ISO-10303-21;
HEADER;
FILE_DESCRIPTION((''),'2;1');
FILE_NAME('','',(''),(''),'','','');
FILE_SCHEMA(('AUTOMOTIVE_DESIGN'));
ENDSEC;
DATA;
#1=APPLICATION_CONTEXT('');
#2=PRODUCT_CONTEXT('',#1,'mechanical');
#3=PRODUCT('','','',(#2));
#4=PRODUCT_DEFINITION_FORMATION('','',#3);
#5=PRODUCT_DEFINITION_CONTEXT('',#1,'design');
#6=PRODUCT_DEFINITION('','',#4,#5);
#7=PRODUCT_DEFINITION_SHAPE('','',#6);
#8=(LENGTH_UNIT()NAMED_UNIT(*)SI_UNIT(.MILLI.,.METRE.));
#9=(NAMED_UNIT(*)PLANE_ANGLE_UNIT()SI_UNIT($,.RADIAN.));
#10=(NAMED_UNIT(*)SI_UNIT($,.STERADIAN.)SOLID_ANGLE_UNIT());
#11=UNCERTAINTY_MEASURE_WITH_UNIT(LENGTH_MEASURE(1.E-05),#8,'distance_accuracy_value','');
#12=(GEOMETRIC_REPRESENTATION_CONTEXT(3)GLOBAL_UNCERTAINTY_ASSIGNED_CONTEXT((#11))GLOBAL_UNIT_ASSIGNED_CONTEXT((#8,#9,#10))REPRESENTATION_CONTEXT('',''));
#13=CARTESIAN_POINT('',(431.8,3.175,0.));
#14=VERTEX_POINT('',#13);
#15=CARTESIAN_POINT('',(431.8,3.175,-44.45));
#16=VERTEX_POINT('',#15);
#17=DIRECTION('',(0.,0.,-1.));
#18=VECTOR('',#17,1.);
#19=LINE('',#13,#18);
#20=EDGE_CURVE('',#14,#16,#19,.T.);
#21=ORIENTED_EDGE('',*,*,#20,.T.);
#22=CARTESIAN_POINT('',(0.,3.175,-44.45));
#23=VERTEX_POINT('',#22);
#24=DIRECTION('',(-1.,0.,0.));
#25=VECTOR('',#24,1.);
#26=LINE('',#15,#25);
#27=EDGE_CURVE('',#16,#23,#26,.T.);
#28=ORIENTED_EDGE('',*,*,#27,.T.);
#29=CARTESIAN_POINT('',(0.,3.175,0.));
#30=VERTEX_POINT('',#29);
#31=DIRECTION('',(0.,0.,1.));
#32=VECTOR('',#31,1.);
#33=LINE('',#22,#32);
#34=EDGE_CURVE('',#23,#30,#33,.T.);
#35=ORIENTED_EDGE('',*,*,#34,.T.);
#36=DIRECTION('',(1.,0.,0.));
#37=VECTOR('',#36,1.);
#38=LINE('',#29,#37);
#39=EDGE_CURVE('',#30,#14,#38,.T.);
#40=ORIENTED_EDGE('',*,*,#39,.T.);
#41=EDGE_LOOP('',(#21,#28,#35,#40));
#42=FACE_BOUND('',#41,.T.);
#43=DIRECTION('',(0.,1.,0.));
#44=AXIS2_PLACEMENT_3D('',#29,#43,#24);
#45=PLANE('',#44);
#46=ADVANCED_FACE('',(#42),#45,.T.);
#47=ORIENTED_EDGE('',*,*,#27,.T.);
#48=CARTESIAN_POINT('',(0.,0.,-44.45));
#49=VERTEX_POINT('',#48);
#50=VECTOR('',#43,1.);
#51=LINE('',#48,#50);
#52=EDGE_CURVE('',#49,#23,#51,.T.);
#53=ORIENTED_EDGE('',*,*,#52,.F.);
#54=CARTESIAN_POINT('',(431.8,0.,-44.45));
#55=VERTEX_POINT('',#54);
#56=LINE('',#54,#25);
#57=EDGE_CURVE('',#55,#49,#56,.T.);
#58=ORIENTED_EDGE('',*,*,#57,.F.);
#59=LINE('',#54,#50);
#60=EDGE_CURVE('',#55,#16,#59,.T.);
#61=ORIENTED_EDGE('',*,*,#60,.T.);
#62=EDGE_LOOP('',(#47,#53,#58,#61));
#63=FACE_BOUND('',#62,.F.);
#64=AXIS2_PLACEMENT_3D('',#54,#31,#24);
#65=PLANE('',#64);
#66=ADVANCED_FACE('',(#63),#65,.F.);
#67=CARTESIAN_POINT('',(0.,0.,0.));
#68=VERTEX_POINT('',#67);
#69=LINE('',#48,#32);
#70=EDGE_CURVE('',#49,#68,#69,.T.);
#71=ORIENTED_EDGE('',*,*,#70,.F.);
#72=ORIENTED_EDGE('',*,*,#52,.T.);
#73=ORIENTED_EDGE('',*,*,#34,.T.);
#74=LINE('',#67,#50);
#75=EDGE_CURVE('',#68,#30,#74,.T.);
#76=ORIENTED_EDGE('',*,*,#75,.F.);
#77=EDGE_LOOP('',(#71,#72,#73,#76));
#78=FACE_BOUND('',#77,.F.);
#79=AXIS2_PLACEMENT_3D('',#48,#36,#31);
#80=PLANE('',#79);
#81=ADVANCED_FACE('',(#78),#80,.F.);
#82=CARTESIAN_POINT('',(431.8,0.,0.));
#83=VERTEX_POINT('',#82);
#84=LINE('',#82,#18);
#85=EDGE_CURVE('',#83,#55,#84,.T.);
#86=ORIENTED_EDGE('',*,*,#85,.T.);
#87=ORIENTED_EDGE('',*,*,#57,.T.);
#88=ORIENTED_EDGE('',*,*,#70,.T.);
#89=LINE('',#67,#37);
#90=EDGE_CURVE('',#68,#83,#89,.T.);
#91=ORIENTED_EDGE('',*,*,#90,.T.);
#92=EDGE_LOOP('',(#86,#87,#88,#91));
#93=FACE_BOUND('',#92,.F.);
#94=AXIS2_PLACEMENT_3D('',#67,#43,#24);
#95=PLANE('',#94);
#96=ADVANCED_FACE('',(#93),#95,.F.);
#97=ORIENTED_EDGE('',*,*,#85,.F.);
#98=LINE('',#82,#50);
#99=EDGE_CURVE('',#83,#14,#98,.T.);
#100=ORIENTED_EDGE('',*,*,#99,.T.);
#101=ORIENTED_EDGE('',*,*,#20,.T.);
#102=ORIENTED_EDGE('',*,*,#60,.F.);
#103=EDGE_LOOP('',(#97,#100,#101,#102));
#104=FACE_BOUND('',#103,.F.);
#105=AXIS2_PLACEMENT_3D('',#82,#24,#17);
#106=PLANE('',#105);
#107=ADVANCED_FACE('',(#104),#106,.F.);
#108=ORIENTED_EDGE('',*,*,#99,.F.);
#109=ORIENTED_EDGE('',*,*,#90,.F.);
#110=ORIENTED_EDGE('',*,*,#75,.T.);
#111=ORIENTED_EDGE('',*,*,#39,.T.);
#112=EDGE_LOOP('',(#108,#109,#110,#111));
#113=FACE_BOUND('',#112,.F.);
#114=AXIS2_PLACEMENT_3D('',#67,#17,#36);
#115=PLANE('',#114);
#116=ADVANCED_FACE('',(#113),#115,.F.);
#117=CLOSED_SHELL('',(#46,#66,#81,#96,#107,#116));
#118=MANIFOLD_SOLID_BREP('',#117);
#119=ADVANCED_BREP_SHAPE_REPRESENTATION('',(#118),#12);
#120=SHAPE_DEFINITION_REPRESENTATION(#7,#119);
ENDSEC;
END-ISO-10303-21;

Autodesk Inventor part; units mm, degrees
ref_plane "YZ Plane" through (0, 0, 0) normal (1, 0, 0) x (0, 1, 0)
ref_plane "XZ Plane" through (0, 0, 0) normal (0, 1, 0) x (-1, 0, 0)
ref_plane "XY Plane" through (0, 0, 0) normal (0, 0, 1) x (1, 0, 0)
sketch "Sketch1" plane through (0, 0, 0) normal (0, 1, 0) x (-1, 0, 0)
  line L0 (0, 0) -> (-431.8, 0)
  line L1 (-431.8, 0) -> (-431.8, -44.45)
  line L2 (-431.8, -44.45) -> (0, -44.45)
  line L3 (0, -44.45) -> (0, 0)
  dimension "d0" = 431.8
  dimension "d1" = 44.45
extrude "Extrusion1" add sketch "Sketch1" along normal blind 3.175
properties part number "220207 Lid Top"
